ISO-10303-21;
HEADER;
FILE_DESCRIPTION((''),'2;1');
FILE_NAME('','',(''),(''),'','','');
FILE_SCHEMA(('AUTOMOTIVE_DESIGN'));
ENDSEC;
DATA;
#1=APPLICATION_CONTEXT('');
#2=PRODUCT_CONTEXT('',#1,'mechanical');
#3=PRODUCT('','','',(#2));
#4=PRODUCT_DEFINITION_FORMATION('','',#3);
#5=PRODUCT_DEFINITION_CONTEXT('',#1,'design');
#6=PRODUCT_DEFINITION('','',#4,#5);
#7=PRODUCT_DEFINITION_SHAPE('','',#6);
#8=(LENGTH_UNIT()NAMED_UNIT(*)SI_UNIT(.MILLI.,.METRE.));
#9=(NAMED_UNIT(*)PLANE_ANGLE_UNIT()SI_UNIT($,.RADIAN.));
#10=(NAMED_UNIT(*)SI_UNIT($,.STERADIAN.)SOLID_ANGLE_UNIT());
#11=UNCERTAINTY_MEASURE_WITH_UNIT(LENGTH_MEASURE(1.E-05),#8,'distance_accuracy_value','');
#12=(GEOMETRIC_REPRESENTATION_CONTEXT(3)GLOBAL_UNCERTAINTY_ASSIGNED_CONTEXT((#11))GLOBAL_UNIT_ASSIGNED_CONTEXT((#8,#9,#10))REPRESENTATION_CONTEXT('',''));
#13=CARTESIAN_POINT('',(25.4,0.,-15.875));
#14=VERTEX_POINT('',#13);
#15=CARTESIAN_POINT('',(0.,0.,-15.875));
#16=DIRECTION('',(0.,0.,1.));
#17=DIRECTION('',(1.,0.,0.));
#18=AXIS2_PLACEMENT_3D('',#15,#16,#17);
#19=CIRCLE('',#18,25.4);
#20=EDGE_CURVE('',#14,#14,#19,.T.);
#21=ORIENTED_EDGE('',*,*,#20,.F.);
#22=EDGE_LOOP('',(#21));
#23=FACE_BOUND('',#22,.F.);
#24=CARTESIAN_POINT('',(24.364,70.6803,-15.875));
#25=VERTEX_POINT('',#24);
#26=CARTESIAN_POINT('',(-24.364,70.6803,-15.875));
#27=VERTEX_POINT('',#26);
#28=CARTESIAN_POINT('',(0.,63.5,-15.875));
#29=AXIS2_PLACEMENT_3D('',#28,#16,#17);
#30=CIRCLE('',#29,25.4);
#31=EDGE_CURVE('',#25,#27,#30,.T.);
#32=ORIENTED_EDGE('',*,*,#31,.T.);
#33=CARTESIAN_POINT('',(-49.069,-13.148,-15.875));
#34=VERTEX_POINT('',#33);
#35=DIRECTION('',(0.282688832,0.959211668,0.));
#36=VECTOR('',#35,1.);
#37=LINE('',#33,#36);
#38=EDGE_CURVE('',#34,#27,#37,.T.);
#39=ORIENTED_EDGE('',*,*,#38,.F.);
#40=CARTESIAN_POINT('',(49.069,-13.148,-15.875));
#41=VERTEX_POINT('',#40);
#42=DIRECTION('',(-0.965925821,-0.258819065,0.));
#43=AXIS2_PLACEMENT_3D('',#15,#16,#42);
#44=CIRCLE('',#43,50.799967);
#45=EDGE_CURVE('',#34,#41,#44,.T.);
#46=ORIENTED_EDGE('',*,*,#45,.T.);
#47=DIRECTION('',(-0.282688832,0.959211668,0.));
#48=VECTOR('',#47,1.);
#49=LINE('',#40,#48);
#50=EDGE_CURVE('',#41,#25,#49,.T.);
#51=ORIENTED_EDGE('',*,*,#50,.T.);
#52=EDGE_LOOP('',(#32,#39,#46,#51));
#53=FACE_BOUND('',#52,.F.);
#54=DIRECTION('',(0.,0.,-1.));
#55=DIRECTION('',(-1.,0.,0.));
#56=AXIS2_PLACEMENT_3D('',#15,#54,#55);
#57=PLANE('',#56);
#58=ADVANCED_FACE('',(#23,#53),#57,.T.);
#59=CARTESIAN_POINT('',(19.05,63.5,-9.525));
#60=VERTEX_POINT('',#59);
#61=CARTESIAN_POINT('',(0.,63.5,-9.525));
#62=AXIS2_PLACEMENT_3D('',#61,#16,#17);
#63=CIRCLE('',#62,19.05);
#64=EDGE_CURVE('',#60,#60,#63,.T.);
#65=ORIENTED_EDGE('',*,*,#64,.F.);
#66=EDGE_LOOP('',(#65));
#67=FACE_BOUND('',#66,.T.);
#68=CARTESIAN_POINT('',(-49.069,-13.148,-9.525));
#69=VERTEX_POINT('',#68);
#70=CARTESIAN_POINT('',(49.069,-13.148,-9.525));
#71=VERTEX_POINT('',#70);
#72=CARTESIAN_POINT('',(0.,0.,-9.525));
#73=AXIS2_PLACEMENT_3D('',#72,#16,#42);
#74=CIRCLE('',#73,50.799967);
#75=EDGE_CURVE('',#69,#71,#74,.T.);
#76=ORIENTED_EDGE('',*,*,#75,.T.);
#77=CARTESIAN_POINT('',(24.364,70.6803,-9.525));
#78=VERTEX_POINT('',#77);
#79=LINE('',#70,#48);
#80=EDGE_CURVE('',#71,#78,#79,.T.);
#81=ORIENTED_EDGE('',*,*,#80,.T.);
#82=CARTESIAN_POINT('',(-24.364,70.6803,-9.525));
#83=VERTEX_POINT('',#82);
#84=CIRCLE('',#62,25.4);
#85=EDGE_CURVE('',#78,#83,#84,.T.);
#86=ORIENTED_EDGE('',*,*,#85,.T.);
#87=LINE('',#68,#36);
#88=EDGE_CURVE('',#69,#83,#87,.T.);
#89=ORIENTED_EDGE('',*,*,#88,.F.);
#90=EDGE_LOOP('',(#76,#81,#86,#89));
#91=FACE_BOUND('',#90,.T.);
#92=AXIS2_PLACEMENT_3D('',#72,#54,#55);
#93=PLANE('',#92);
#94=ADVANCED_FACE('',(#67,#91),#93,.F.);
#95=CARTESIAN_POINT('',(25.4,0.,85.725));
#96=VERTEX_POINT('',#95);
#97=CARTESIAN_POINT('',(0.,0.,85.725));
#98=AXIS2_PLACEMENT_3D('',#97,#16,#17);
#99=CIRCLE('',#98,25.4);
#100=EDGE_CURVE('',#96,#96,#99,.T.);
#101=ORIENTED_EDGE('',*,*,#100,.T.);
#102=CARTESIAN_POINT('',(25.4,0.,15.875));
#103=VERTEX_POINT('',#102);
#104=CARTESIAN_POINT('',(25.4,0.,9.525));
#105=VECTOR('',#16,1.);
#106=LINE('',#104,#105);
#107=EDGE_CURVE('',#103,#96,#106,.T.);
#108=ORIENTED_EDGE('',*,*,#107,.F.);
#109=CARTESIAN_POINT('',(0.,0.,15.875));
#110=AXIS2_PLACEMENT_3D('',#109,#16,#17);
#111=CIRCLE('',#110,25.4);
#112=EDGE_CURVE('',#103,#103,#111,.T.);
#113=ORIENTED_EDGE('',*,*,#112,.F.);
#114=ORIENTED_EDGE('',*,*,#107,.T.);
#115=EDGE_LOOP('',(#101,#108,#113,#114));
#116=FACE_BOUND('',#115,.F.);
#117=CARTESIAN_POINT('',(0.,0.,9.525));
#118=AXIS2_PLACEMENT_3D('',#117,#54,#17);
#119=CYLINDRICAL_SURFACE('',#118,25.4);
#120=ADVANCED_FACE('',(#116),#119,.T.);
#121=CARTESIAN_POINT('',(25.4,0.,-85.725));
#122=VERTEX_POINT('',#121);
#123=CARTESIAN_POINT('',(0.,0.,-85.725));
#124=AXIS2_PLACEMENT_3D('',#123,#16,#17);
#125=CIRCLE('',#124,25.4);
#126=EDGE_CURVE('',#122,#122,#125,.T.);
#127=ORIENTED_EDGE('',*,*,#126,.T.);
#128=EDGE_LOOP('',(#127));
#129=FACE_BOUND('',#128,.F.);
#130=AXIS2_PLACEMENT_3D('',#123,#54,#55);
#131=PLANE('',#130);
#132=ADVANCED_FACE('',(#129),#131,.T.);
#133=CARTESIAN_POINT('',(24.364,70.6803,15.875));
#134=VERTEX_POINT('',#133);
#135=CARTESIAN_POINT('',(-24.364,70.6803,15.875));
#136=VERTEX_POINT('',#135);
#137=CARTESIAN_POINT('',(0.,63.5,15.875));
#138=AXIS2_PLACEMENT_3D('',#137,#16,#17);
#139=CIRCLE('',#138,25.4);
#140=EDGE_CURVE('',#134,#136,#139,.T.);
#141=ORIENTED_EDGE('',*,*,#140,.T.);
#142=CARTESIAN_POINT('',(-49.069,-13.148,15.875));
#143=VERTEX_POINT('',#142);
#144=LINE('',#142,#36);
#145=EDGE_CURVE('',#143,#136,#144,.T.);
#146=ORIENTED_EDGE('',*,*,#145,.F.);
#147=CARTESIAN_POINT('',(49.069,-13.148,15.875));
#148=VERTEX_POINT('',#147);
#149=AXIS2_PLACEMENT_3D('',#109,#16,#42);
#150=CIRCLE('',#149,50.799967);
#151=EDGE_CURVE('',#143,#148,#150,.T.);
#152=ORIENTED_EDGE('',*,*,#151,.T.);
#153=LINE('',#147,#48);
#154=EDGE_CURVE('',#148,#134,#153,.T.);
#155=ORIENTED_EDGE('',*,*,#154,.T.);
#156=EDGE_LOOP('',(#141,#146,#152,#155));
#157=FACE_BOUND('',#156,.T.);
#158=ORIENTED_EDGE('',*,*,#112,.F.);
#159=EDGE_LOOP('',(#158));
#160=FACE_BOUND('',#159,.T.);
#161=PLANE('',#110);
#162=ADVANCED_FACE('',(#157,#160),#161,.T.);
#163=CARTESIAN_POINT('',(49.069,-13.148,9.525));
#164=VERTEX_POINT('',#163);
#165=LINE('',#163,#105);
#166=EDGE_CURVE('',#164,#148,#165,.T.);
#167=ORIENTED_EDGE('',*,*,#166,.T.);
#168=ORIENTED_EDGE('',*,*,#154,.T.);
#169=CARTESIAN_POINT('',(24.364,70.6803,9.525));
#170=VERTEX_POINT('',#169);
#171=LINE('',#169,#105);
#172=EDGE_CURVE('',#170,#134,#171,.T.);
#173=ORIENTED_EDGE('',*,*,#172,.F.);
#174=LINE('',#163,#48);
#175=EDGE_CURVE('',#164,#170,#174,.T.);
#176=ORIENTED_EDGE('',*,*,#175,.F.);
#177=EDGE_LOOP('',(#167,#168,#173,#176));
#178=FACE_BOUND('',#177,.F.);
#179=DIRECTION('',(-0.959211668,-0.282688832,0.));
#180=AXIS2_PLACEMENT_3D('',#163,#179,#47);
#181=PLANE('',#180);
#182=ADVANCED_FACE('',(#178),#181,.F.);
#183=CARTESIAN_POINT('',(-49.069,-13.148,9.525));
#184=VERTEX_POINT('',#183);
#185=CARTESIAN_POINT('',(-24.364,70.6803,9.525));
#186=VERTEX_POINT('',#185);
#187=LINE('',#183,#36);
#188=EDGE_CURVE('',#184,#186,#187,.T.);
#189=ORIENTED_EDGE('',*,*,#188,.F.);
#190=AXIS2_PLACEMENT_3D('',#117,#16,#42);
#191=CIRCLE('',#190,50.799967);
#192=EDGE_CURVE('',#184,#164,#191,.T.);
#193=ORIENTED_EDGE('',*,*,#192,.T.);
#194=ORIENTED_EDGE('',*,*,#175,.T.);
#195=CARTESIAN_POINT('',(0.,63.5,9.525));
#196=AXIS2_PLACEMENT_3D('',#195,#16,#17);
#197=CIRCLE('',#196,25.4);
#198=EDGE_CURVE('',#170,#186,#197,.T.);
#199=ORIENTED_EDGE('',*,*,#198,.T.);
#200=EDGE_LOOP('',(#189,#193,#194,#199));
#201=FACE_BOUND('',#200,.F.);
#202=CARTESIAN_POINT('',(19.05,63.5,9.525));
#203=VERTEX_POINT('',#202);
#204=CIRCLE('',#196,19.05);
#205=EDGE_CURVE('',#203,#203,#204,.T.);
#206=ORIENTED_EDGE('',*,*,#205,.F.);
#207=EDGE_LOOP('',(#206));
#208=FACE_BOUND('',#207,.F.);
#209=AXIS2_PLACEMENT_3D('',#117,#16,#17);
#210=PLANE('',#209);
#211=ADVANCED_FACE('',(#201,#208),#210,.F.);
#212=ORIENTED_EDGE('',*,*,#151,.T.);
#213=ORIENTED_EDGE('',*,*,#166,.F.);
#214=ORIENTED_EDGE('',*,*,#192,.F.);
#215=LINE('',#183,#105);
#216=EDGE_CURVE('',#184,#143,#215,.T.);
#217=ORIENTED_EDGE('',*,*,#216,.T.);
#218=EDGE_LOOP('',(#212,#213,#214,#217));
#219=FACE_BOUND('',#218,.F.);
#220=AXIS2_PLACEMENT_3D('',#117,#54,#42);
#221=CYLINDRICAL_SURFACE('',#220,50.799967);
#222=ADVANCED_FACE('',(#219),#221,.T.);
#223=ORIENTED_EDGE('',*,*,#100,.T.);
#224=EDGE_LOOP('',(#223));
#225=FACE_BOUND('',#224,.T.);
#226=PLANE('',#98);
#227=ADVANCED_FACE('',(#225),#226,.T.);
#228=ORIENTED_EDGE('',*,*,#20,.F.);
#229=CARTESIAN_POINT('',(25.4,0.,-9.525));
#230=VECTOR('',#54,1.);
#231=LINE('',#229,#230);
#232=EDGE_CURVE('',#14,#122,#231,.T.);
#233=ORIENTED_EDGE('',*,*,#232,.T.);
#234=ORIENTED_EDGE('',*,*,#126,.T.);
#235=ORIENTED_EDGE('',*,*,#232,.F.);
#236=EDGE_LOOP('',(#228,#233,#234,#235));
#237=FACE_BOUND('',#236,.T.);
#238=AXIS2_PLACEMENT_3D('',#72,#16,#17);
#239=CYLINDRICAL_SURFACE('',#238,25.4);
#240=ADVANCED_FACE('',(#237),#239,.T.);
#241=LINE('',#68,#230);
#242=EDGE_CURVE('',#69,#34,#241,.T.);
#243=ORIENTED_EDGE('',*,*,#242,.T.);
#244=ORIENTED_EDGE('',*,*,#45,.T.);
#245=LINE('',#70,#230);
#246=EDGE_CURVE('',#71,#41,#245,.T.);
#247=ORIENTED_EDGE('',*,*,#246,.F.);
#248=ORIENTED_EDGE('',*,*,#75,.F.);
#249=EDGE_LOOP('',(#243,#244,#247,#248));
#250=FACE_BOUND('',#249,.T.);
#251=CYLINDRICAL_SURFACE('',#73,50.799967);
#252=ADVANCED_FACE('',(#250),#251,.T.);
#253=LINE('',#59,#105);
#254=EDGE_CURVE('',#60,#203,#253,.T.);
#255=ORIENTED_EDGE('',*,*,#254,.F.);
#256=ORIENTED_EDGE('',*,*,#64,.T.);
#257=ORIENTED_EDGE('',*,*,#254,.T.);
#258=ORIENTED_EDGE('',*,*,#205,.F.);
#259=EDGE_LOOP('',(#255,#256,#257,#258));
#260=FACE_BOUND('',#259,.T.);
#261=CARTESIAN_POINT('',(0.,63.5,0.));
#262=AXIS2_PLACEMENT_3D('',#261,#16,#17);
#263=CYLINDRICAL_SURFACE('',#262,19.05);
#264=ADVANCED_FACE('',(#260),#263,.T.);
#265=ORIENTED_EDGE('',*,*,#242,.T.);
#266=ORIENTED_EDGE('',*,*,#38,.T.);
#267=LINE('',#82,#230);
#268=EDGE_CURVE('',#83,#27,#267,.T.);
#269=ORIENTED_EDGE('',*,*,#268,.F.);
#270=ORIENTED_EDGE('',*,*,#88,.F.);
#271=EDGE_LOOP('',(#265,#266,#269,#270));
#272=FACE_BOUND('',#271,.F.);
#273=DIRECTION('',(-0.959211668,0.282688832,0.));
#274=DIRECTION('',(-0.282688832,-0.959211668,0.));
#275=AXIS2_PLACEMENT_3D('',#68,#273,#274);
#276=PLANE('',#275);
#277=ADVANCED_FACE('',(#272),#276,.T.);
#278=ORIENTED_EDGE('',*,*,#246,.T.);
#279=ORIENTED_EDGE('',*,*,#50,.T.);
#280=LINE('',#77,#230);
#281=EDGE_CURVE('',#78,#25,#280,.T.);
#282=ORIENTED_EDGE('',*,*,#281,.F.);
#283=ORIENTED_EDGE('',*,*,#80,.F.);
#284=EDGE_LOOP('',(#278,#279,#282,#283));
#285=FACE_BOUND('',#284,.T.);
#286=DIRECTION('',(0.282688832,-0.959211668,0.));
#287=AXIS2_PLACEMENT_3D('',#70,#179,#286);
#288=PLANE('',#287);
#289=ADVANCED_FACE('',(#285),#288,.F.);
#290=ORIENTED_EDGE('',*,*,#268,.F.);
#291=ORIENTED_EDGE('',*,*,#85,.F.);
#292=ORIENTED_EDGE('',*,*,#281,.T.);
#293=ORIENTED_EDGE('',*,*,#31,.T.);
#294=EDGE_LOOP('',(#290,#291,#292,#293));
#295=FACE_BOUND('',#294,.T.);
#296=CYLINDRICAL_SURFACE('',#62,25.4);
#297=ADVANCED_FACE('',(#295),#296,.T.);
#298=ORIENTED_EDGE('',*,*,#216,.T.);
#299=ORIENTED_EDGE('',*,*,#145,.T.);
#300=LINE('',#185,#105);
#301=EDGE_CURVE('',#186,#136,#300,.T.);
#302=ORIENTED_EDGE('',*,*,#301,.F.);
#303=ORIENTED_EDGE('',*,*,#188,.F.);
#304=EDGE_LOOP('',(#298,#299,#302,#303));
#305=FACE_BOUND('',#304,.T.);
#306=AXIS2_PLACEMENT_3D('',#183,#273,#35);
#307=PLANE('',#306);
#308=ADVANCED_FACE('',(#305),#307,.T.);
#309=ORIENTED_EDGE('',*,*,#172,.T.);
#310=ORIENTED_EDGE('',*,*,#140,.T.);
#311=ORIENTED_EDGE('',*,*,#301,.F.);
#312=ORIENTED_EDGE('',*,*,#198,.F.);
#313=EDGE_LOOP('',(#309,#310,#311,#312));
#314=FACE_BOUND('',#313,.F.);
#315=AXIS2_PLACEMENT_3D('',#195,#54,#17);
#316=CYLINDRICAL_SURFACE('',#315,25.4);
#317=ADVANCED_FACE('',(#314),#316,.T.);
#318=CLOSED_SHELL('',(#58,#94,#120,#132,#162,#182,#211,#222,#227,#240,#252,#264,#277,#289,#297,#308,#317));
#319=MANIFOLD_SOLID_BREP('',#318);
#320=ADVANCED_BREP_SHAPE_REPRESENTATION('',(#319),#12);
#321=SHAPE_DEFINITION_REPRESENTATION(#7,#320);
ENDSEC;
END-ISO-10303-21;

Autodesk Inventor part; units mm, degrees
ref_plane "YZ Plane" through (0, 0, 0) normal (1, 0, 0) x (0, 1, 0)
ref_plane "XZ Plane" through (0, 0, 0) normal (0, 1, 0) x (-1, 0, 0)
ref_plane "XY Plane" through (0, 0, 0) normal (0, 0, 1) x (1, 0, 0)
sketch "Sketch1" plane through (0, 0, 0) normal (0, 0, 1) x (1, 0, 0)
  circle A0 centre (0, 0) radius 19.05
  circle A1 centre (0, 63.5) radius 19.05
  line L0 (0, -78.74) -> (0, 116.84) construction
  circle A2 centre (0, 63.5) radius 25.4
  circle A3 centre (0, 0) radius 25.4
  arc A4 (-49.069, -13.148) -> (49.069, -13.148) centre (0, 0) ccw
  line L1 (0, 0) -> (49.069, -13.148) construction
  line L2 (0, 0) -> (50.8, 0) construction
  line L3 (0, 0) -> (-49.069, -13.148) construction
  line L4 (-49.069, -13.148) -> (-24.364, 70.6803)
  line L5 (49.069, -13.148) -> (24.364, 70.6803)
  dimension "crank_dia" = 38.1
  dimension "d2" = 38.1
  dimension "crank_ctc" = 63.5
  dimension "crank_wt" = 6.35
  dimension "d8" = 6.35
  dimension "crank_rad" = 50.8
  dimension "d10" = 15
  dimension "d13" = 150
extrude "Extrusion1" add sketch "Sketch1" along normal blind 9.525 contours A1
extrude "Extrusion2" add sketch "Sketch1" along normal blind 6.35 from surface at 9.525 contours A1 | A2 | A2 L5 A4 L4
extrude "Extrusion3" add sketch "Sketch1" along normal blind 76.2 from surface at 9.525 contours A0 | A3
mirror "Mirror1" about plane through (0, 0, 0) normal (0, 0, 1) of "Extrusion1", "Extrusion2", "Extrusion3"
equation "\"d2\" = 2 * pin_dia"
equation "\"d8\" = crank_wt"
equation "\"pin_dia\" = 19.05"
properties part number "Crank_Shaft" material "Stainless Steel"
